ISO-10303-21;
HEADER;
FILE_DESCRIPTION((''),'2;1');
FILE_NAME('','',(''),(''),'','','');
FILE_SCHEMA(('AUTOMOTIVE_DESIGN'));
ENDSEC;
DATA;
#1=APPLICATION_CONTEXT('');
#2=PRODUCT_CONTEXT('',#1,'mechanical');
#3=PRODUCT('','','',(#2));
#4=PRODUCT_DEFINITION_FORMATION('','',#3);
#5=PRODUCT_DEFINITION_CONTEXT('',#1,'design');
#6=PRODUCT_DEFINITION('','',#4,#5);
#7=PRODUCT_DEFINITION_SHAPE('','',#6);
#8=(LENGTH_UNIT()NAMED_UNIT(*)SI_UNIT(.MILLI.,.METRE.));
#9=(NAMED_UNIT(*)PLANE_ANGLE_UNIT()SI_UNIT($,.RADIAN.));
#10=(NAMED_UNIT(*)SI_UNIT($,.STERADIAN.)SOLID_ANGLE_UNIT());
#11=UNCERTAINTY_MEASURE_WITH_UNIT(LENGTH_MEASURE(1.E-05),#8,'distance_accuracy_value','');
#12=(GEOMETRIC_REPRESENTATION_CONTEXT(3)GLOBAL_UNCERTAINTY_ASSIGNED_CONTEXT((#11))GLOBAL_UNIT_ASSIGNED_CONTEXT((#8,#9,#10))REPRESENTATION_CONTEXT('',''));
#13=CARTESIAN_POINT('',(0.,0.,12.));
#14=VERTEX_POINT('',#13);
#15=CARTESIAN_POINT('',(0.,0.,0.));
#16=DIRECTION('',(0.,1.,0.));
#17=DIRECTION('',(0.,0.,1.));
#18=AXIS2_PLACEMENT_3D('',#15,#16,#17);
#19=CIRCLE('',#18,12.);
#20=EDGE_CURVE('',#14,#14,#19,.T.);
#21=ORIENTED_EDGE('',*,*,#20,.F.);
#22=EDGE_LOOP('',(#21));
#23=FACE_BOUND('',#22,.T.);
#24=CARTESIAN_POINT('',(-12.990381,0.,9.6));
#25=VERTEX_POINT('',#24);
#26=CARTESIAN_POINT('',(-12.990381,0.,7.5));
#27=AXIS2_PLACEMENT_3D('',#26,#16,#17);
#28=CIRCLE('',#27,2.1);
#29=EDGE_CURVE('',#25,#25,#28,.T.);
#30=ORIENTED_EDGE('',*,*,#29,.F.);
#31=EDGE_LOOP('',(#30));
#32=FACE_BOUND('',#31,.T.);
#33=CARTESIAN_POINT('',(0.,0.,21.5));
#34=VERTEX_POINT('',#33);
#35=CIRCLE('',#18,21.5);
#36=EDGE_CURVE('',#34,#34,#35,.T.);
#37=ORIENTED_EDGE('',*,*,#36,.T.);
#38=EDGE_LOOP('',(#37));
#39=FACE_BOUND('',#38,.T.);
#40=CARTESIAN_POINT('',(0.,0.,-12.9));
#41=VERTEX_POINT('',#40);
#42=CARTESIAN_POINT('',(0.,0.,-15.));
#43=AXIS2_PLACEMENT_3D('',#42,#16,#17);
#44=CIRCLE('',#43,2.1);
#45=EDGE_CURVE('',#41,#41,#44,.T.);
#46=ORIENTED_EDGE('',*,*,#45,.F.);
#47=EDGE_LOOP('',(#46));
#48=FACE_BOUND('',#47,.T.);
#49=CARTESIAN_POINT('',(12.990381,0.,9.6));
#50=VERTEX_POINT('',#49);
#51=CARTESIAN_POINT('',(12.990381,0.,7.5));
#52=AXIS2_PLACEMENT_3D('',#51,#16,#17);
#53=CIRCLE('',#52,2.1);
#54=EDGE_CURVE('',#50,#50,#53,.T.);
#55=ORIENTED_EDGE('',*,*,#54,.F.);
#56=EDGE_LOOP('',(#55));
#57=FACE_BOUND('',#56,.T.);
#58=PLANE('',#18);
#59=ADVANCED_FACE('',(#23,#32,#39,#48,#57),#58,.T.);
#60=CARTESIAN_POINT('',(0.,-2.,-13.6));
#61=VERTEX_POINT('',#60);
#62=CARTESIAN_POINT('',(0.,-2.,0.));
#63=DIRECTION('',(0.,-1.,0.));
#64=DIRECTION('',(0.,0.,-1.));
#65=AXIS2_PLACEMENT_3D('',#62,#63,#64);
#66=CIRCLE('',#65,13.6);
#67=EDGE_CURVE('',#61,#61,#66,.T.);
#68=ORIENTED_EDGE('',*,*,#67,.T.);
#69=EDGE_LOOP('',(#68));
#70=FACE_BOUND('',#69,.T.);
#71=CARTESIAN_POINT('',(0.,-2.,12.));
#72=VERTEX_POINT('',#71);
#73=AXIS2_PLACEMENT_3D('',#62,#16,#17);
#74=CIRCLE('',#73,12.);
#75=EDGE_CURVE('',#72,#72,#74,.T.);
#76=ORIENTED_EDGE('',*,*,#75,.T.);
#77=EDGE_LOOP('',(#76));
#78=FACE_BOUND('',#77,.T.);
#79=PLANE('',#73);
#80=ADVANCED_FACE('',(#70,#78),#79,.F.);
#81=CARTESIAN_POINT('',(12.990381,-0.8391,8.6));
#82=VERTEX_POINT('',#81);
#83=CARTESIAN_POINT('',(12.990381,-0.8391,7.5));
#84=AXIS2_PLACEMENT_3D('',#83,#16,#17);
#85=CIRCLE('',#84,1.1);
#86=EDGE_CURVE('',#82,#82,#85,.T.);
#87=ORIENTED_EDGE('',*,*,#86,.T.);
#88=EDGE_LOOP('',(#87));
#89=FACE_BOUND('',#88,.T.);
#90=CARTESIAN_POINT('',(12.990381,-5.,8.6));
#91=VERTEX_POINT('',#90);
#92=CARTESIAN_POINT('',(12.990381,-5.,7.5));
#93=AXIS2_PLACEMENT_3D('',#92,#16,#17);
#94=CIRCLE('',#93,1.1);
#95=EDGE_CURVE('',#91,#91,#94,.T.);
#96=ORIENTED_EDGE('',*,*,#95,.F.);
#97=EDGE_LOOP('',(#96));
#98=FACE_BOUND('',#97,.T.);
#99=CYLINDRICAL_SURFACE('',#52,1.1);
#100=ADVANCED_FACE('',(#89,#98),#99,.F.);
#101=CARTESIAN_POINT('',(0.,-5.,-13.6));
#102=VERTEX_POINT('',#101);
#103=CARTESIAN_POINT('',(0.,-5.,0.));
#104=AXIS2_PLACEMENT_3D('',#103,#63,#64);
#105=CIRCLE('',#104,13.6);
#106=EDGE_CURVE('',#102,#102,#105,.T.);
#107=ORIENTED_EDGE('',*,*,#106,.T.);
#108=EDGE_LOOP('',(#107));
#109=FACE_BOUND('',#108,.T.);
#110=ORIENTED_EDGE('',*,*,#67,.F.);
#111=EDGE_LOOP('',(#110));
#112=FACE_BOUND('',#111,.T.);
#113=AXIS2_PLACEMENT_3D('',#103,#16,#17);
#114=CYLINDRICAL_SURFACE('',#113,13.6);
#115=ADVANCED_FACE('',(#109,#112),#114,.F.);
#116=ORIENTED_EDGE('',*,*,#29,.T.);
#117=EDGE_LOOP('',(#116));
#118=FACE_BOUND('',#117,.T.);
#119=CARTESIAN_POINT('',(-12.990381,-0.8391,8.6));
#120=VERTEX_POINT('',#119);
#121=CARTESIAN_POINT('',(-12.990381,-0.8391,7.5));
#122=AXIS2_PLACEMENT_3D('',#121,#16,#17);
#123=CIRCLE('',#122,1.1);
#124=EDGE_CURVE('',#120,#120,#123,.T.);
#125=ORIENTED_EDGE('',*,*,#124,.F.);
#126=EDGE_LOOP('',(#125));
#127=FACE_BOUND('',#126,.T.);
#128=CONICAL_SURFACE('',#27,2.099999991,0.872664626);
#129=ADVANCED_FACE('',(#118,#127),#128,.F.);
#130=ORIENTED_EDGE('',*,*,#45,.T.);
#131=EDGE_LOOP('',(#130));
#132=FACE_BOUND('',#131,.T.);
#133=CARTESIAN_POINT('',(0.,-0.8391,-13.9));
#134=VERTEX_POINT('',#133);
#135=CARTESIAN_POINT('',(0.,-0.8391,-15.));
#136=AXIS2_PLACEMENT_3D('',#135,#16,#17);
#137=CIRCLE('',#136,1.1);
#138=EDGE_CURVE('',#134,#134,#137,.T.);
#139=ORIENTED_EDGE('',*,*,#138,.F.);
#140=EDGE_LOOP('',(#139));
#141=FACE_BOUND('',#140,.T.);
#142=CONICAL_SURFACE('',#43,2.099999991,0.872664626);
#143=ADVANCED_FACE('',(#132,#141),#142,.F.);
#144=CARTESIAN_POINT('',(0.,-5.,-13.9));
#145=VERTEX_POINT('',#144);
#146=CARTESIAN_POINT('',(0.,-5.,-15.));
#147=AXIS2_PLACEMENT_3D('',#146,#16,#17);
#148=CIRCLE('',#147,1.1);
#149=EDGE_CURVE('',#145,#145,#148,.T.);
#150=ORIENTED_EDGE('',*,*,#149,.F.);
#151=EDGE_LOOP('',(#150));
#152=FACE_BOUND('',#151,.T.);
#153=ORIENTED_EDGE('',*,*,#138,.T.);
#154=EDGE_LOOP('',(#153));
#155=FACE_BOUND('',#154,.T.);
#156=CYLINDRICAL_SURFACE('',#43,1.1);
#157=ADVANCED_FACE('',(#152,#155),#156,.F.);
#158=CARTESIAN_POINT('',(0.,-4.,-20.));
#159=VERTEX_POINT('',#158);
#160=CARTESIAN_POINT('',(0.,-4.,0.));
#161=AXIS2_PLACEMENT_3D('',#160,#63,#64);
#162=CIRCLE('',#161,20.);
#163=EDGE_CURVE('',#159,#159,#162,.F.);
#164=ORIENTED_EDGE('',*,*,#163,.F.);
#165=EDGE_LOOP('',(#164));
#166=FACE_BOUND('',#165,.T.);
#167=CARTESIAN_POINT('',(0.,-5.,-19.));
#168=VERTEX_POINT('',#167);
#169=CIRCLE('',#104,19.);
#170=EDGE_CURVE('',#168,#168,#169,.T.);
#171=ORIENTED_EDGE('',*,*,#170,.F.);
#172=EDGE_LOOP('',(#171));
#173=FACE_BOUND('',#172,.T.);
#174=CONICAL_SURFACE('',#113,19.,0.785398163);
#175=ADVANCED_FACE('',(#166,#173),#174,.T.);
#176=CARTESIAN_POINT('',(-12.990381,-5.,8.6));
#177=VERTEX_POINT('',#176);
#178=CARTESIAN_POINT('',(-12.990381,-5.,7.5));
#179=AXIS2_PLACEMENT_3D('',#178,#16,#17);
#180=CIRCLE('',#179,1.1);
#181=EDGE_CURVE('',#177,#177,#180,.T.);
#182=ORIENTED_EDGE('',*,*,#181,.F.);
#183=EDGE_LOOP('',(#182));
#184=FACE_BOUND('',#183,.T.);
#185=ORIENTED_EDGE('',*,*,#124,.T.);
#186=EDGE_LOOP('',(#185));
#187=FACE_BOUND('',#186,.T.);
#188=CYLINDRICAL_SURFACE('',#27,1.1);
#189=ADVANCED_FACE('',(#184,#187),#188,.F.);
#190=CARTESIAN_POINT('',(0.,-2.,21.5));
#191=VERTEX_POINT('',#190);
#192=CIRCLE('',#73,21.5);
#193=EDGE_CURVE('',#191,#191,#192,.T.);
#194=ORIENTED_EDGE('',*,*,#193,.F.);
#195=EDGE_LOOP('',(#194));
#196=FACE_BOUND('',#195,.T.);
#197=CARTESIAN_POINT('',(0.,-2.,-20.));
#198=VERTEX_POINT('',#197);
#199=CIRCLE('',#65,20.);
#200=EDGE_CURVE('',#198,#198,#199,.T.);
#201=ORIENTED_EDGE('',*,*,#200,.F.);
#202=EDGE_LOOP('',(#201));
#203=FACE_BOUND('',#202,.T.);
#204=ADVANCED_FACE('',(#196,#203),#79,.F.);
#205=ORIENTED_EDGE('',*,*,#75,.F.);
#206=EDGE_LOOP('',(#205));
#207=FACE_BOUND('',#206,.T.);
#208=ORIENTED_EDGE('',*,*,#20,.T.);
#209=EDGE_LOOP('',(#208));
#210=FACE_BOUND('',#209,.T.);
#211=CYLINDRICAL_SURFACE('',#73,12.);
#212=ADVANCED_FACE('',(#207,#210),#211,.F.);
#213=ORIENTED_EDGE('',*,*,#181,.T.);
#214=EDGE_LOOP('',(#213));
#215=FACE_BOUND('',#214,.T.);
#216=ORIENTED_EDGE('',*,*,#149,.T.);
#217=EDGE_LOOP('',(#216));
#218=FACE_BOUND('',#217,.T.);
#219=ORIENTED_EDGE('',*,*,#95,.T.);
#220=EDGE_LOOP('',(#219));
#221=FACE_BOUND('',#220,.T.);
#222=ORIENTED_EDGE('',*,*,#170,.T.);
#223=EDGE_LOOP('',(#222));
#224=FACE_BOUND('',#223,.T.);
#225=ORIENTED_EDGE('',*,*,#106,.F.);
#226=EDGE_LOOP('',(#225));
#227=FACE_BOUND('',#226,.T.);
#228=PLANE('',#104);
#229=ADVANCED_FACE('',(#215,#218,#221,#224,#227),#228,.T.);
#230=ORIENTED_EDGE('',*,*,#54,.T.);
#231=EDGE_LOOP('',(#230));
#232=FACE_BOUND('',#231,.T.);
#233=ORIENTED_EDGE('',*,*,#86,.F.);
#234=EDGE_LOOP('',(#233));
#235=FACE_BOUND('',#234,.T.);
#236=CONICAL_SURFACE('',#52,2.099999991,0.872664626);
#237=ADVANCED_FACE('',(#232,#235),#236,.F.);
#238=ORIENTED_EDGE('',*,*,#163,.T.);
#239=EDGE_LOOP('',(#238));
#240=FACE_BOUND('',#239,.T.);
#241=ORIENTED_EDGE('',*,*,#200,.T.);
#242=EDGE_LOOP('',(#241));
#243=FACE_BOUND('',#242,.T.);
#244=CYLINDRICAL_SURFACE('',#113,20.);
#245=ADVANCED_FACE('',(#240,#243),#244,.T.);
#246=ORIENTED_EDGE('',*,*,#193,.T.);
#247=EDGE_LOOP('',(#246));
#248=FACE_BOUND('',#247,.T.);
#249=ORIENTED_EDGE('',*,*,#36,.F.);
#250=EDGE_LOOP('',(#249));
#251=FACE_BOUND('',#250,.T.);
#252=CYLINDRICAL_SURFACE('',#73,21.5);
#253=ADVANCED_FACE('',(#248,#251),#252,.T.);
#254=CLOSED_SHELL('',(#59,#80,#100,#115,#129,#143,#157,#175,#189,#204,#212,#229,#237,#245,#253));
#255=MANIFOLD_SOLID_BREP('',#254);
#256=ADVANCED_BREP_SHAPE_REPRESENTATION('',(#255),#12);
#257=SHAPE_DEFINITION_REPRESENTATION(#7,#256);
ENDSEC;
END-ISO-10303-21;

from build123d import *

# Parameters (mm, degrees)
SKETCH1_R                                         = 21.5
SKETCH1_R_2                                       = 12
BOSS_EXTRUDE1_DEPTH                               = 2
SKETCH2_R                                         = 20
SKETCH2_R_2                                       = 13.6
BOSS_EXTRUDE2_DEPTH                               = 3
CHAMFER1_SIZE                                     = 1
CSK_FOR_0_FLAT_HEAD_MACHINE_SCREW_100_D           = 2.199999918
CSK_FOR_0_FLAT_HEAD_MACHINE_SCREW_100_CSINK_D     = 4.199999982
CSK_FOR_0_FLAT_HEAD_MACHINE_SCREW_100_CSINK_ANGLE = 100


with BuildPart() as part:
    # Sketch1 → Boss-Extrude1 (new body)
    with BuildSketch(Plane(origin=(0, 0, 0), x_dir=(1, 0, 0), z_dir=(0, 1, 0))):
        with Locations(Location((0, 0, 0), (0, 0, 270))):
            Circle(SKETCH1_R)
        with Locations(Location((0, 0, 0), (0, 0, 270))):
            Circle(SKETCH1_R_2, mode=Mode.SUBTRACT)
    extrude(amount=-BOSS_EXTRUDE1_DEPTH)

    # Sketch2 → Boss-Extrude2 (add)
    with BuildSketch(Plane.XZ.offset(2)):
        with Locations(Location((0, 0, 0), (0, 0, 270))):
            Circle(SKETCH2_R)
        with Locations(Location((0, 0, 0), (0, 0, 270))):
            Circle(SKETCH2_R_2, mode=Mode.SUBTRACT)
    extrude(amount=BOSS_EXTRUDE2_DEPTH)

    # Chamfer1
    chamfer1_edges = [part.edges().sort_by_distance(p)[0] for p in [
        (0, -5, 20),
    ]]
    chamfer(chamfer1_edges, length=CHAMFER1_SIZE)

    # CSK for #0 Flat Head Machine Screw (100)1 (through all)
    with Locations(Plane(origin=(0, 0, 0), x_dir=(1, 0, 0), z_dir=(0, 1, 0))):
        with Locations((0, 15), (12.990381057, -7.5), (-12.990381057, -7.5)):
            CounterSinkHole(CSK_FOR_0_FLAT_HEAD_MACHINE_SCREW_100_D / 2, CSK_FOR_0_FLAT_HEAD_MACHINE_SCREW_100_CSINK_D / 2, counter_sink_angle=CSK_FOR_0_FLAT_HEAD_MACHINE_SCREW_100_CSINK_ANGLE)


solid = part.part
